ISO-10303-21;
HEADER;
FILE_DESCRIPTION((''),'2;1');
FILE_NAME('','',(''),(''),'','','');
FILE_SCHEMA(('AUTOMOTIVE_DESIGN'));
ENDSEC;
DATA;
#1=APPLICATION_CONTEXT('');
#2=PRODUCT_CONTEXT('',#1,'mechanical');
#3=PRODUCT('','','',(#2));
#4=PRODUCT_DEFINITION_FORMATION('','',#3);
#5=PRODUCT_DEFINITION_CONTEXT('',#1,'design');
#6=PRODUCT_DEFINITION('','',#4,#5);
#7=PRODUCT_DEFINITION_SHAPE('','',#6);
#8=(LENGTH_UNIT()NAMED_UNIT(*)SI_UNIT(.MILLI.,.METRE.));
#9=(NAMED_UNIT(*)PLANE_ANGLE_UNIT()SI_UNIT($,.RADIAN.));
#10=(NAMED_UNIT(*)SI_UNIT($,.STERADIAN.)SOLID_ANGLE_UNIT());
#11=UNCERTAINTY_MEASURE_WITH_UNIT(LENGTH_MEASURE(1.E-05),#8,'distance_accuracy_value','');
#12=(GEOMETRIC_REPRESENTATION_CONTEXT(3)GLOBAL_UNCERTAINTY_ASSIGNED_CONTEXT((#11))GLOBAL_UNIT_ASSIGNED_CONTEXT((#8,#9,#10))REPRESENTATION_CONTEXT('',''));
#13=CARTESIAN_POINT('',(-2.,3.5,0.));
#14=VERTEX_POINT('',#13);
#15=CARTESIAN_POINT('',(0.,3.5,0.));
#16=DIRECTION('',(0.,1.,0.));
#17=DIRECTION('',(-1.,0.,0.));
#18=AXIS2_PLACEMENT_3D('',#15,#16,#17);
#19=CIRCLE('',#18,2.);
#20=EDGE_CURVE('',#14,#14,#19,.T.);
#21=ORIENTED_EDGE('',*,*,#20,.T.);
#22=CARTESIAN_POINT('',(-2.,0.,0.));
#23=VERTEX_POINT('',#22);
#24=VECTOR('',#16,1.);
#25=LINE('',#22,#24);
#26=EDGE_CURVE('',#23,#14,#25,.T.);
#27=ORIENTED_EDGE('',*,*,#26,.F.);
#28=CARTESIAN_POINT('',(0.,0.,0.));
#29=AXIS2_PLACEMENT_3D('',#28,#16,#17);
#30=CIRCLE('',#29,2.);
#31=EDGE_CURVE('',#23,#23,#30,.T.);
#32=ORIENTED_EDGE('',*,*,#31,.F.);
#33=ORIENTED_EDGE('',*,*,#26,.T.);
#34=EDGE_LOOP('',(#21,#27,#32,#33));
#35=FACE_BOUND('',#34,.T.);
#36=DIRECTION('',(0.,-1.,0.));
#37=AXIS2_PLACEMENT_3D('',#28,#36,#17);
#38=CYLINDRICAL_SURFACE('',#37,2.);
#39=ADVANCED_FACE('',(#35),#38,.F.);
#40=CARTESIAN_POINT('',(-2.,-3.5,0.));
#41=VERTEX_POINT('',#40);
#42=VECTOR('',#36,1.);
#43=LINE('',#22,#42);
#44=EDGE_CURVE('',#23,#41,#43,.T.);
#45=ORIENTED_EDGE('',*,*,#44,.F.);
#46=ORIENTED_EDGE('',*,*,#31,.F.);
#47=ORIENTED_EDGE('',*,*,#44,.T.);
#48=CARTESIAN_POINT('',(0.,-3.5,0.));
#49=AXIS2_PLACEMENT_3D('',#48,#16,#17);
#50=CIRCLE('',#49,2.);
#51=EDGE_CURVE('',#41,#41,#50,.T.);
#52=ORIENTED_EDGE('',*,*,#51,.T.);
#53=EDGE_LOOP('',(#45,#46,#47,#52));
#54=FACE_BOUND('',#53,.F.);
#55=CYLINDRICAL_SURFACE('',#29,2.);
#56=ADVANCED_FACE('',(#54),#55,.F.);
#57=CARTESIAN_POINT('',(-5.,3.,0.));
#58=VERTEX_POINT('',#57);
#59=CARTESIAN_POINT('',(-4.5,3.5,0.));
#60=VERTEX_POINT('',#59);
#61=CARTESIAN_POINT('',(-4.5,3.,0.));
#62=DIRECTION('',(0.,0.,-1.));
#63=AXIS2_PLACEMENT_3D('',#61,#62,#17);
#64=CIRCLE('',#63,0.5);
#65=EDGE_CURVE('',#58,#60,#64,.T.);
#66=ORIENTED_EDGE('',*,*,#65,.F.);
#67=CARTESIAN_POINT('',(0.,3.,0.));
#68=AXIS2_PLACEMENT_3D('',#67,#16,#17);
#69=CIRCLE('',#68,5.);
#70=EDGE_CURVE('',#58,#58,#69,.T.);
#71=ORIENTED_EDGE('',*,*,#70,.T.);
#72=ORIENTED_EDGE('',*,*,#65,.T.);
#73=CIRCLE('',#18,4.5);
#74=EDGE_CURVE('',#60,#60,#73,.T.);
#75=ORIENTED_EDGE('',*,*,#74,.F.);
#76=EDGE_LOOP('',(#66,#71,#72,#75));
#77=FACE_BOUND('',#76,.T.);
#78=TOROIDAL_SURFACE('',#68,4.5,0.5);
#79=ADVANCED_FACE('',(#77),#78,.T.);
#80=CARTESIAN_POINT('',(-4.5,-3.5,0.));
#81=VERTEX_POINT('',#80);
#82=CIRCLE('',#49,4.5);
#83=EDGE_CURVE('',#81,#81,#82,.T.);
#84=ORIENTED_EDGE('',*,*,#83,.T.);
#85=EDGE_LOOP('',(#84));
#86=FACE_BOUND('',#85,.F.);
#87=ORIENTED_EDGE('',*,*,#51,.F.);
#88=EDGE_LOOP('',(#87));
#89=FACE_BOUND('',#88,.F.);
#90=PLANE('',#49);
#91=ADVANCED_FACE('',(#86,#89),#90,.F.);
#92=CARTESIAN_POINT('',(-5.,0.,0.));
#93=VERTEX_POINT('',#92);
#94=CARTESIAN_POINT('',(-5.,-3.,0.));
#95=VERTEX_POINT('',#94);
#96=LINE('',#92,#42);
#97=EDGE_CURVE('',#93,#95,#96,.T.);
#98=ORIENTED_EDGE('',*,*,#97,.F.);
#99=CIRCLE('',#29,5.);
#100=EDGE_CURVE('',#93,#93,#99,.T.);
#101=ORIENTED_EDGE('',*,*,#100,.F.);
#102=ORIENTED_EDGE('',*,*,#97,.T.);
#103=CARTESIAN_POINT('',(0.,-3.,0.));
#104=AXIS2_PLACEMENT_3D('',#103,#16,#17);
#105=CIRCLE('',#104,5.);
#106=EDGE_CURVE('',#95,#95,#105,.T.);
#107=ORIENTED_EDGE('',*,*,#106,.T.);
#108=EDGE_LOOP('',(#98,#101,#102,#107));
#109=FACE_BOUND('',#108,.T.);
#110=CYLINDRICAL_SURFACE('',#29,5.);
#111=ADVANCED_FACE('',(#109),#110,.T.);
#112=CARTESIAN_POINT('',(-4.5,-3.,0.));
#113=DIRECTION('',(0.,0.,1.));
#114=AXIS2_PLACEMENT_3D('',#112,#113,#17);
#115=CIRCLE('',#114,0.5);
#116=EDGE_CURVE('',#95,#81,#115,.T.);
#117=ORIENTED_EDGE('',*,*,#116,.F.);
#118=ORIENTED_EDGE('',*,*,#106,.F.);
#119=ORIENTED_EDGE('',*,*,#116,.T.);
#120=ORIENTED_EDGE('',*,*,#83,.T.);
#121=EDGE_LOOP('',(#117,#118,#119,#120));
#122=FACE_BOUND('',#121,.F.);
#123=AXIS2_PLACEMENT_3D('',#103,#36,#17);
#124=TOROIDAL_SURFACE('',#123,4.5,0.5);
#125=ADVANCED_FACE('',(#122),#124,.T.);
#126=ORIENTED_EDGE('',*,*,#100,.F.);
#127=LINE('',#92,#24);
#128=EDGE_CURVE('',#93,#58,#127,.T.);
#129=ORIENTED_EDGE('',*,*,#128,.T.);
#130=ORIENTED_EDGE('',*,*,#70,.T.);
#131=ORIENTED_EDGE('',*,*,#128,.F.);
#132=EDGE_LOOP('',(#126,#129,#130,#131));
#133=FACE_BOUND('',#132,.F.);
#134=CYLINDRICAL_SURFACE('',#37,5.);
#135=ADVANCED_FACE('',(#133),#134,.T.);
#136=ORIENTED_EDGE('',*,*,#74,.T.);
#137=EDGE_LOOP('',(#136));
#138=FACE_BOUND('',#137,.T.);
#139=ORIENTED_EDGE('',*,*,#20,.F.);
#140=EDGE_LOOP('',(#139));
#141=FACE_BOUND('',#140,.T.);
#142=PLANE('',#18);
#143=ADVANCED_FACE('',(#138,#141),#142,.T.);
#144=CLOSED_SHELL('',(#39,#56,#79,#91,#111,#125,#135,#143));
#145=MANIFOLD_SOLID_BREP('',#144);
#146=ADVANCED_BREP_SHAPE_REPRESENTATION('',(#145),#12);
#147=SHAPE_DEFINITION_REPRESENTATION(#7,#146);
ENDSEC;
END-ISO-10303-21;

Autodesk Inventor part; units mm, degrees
ref_plane "YZ Plane" through (0, 0, 0) normal (1, 0, 0) x (0, 1, 0)
ref_plane "XZ Plane" through (0, 0, 0) normal (0, 1, 0) x (-1, 0, 0)
ref_plane "XY Plane" through (0, 0, 0) normal (0, 0, 1) x (1, 0, 0)
sketch "Sketch1" plane through (0, 0, 0) normal (0, 1, 0) x (-1, 0, 0)
  circle A0 centre (0, 0) radius 5
  circle A1 centre (0, 0) radius 2
  dimension "d0" = 10
  dimension "d3" = 4
extrude "Extrusion1" add sketch "Sketch1" along normal mid plane 7
fillet "Fillet1" radius 0.5 2 edges at (5, 3.5, 0) (5, -3.5, 0)
properties part number "SPACER_JACK" material "Steel"
